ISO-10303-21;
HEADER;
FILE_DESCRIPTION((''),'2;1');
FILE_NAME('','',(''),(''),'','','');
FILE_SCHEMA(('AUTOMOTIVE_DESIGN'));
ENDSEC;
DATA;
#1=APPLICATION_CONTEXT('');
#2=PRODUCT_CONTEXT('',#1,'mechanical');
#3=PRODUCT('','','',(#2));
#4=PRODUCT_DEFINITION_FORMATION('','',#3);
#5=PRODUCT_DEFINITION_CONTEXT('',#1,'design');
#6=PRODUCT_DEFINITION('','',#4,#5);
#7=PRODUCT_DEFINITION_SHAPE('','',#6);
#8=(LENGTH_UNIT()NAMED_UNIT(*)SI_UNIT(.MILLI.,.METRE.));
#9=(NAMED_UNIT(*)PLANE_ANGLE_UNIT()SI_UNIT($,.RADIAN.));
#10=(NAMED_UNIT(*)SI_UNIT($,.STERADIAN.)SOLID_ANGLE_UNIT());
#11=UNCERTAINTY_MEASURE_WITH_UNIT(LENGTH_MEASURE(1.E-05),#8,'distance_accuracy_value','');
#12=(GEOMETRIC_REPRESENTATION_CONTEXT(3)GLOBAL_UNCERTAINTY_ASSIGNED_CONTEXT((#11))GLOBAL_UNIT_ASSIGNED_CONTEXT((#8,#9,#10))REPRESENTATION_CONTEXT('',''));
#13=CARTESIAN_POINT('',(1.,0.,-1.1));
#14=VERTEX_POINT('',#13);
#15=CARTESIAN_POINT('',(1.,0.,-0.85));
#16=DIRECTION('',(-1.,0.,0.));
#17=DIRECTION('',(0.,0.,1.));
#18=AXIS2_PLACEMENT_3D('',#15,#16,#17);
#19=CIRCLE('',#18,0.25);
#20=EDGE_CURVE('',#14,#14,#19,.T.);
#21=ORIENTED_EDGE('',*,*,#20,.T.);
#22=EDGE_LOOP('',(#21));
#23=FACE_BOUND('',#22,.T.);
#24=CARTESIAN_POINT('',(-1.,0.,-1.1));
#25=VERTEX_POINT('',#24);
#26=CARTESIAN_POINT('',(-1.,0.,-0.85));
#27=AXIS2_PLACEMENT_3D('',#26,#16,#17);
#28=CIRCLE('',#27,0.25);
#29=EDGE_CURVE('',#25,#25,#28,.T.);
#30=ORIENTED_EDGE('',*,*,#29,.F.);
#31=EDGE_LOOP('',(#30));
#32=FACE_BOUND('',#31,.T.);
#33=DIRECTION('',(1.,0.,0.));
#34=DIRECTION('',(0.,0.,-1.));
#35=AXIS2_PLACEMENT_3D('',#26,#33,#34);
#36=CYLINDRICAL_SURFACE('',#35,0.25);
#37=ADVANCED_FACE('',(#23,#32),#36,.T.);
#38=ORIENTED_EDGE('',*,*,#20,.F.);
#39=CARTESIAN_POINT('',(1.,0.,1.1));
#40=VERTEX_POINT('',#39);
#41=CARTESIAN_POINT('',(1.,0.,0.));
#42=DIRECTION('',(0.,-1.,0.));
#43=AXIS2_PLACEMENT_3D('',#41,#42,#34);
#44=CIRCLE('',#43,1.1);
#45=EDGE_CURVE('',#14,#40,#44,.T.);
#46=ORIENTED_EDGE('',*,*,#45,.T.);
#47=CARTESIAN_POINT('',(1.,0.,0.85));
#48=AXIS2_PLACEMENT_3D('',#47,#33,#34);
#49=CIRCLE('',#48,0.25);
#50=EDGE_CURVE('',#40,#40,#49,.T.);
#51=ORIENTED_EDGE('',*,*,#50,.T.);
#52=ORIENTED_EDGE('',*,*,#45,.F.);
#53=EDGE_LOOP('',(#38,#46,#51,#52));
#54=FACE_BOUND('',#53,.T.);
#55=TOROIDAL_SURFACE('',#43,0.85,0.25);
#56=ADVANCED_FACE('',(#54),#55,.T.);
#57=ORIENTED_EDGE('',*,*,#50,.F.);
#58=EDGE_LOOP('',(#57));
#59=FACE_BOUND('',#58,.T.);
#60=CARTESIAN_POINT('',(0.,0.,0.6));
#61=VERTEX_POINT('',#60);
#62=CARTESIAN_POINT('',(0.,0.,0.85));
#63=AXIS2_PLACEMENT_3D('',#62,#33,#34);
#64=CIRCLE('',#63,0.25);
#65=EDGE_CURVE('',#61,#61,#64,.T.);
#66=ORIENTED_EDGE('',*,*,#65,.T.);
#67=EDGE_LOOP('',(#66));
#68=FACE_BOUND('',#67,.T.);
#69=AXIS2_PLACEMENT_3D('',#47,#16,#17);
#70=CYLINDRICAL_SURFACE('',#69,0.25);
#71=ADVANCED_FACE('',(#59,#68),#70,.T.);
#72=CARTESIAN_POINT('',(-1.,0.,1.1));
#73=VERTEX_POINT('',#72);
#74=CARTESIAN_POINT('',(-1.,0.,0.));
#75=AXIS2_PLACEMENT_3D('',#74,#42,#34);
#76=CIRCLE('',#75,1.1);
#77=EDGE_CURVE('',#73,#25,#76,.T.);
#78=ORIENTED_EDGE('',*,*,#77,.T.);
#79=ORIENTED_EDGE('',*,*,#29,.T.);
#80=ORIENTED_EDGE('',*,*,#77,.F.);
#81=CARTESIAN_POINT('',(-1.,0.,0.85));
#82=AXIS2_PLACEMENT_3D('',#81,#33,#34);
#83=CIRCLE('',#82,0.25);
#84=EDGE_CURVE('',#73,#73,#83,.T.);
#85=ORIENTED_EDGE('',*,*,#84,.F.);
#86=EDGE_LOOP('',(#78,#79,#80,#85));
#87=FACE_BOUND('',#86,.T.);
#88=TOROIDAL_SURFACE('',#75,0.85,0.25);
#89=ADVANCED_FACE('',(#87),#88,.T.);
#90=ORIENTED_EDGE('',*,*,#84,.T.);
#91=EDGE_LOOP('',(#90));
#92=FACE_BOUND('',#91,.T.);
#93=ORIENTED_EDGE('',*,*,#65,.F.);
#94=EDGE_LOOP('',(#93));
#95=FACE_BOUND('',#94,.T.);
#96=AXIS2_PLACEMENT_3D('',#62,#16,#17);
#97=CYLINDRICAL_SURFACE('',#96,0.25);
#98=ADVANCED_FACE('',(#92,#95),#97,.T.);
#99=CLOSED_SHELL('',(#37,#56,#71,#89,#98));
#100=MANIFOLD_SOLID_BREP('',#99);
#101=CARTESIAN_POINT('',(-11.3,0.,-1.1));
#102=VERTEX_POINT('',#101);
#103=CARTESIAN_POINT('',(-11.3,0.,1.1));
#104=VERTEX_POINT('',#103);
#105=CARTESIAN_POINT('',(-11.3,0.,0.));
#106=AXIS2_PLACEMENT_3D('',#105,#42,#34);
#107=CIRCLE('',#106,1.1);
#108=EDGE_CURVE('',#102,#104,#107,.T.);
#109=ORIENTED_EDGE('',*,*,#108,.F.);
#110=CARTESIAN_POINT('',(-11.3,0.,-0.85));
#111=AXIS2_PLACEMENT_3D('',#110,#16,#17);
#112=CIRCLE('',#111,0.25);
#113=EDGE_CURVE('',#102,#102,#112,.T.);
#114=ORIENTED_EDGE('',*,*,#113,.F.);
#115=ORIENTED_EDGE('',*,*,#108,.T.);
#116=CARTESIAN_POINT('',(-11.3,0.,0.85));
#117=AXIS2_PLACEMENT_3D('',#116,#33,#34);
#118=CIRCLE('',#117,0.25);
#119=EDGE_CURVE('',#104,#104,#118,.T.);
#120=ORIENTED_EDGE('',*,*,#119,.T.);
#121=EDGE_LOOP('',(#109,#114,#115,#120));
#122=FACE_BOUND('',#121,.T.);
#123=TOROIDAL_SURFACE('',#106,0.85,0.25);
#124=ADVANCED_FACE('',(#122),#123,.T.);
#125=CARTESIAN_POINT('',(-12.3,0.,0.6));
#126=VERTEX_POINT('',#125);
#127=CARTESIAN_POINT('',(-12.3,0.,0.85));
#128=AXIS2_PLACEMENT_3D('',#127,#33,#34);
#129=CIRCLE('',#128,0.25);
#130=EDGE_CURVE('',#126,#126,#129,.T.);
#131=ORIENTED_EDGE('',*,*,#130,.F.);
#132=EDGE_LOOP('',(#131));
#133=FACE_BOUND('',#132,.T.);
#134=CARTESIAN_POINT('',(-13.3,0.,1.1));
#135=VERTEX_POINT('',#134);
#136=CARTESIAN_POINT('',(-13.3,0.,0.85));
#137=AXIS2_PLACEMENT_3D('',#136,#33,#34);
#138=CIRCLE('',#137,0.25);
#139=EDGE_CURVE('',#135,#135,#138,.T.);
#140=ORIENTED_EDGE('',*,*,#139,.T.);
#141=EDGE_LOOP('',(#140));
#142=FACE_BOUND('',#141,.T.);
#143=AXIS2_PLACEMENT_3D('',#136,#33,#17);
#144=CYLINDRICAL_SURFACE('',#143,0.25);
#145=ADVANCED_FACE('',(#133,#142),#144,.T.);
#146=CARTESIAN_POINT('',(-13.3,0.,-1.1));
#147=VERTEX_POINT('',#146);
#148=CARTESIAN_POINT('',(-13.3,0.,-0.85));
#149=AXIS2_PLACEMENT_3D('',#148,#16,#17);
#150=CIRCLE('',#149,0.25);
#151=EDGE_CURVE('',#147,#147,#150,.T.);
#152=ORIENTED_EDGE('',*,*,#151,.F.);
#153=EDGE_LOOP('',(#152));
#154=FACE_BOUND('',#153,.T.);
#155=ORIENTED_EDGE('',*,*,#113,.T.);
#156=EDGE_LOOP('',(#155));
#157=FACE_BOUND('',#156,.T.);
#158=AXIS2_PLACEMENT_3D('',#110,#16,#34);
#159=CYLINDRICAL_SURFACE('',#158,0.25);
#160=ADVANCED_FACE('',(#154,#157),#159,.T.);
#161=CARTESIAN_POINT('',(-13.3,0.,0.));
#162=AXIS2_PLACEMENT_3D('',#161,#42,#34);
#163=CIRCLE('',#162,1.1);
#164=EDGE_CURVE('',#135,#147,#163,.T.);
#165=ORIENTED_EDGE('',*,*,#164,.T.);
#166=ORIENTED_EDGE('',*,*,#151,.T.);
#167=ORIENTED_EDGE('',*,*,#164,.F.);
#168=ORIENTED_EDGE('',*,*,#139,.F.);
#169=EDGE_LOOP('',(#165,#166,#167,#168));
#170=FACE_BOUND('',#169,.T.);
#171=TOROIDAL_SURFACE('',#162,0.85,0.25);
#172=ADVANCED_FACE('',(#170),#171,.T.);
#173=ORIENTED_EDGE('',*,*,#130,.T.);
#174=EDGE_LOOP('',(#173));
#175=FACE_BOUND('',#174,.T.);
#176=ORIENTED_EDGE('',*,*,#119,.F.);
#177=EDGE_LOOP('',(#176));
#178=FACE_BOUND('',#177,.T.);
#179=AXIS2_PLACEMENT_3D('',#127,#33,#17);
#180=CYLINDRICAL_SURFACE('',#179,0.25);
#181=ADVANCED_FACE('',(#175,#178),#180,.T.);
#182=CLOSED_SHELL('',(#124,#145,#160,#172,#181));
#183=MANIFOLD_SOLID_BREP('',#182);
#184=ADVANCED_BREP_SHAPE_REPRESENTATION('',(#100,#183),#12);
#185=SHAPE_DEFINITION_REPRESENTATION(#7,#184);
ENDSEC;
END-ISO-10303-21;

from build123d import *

# Parameters (mm, degrees)
SKETCH_2_R = 0.25


with BuildPart() as part:
    # 扫描1: sweep along a path in 草图1
    with BuildLine(Plane(origin=(0, 0, 0), x_dir=(1, 0, 0), z_dir=(0, 1, 0))) as sweep_1_path:
        Line((-1, 0.85), (1, 0.85))
        ThreePointArc((1, 0.85), (1.85, 0), (1, -0.85))
        Line((1, -0.85), (-1, -0.85))
        ThreePointArc((-1, -0.85), (-1.85, 0), (-1, 0.85))
    # 草图2 → 扫描1 (sweep)
    with BuildSketch(Plane(origin=(0, 0, 0), x_dir=(0, 0, -1), z_dir=(1, 0, 0))):
        with Locations((-0.85, 0)):
            Circle(SKETCH_2_R)
    sweep(path=sweep_1_path.line)


with BuildPart() as body_2:
    # 镜向3: mirrored copy
    add(part.part.mirror(Plane(origin=(-6.15, 0, 0), x_dir=(0, 0, 1), z_dir=(1, 0, 0))))


solid = Compound([part.part, body_2.part])
